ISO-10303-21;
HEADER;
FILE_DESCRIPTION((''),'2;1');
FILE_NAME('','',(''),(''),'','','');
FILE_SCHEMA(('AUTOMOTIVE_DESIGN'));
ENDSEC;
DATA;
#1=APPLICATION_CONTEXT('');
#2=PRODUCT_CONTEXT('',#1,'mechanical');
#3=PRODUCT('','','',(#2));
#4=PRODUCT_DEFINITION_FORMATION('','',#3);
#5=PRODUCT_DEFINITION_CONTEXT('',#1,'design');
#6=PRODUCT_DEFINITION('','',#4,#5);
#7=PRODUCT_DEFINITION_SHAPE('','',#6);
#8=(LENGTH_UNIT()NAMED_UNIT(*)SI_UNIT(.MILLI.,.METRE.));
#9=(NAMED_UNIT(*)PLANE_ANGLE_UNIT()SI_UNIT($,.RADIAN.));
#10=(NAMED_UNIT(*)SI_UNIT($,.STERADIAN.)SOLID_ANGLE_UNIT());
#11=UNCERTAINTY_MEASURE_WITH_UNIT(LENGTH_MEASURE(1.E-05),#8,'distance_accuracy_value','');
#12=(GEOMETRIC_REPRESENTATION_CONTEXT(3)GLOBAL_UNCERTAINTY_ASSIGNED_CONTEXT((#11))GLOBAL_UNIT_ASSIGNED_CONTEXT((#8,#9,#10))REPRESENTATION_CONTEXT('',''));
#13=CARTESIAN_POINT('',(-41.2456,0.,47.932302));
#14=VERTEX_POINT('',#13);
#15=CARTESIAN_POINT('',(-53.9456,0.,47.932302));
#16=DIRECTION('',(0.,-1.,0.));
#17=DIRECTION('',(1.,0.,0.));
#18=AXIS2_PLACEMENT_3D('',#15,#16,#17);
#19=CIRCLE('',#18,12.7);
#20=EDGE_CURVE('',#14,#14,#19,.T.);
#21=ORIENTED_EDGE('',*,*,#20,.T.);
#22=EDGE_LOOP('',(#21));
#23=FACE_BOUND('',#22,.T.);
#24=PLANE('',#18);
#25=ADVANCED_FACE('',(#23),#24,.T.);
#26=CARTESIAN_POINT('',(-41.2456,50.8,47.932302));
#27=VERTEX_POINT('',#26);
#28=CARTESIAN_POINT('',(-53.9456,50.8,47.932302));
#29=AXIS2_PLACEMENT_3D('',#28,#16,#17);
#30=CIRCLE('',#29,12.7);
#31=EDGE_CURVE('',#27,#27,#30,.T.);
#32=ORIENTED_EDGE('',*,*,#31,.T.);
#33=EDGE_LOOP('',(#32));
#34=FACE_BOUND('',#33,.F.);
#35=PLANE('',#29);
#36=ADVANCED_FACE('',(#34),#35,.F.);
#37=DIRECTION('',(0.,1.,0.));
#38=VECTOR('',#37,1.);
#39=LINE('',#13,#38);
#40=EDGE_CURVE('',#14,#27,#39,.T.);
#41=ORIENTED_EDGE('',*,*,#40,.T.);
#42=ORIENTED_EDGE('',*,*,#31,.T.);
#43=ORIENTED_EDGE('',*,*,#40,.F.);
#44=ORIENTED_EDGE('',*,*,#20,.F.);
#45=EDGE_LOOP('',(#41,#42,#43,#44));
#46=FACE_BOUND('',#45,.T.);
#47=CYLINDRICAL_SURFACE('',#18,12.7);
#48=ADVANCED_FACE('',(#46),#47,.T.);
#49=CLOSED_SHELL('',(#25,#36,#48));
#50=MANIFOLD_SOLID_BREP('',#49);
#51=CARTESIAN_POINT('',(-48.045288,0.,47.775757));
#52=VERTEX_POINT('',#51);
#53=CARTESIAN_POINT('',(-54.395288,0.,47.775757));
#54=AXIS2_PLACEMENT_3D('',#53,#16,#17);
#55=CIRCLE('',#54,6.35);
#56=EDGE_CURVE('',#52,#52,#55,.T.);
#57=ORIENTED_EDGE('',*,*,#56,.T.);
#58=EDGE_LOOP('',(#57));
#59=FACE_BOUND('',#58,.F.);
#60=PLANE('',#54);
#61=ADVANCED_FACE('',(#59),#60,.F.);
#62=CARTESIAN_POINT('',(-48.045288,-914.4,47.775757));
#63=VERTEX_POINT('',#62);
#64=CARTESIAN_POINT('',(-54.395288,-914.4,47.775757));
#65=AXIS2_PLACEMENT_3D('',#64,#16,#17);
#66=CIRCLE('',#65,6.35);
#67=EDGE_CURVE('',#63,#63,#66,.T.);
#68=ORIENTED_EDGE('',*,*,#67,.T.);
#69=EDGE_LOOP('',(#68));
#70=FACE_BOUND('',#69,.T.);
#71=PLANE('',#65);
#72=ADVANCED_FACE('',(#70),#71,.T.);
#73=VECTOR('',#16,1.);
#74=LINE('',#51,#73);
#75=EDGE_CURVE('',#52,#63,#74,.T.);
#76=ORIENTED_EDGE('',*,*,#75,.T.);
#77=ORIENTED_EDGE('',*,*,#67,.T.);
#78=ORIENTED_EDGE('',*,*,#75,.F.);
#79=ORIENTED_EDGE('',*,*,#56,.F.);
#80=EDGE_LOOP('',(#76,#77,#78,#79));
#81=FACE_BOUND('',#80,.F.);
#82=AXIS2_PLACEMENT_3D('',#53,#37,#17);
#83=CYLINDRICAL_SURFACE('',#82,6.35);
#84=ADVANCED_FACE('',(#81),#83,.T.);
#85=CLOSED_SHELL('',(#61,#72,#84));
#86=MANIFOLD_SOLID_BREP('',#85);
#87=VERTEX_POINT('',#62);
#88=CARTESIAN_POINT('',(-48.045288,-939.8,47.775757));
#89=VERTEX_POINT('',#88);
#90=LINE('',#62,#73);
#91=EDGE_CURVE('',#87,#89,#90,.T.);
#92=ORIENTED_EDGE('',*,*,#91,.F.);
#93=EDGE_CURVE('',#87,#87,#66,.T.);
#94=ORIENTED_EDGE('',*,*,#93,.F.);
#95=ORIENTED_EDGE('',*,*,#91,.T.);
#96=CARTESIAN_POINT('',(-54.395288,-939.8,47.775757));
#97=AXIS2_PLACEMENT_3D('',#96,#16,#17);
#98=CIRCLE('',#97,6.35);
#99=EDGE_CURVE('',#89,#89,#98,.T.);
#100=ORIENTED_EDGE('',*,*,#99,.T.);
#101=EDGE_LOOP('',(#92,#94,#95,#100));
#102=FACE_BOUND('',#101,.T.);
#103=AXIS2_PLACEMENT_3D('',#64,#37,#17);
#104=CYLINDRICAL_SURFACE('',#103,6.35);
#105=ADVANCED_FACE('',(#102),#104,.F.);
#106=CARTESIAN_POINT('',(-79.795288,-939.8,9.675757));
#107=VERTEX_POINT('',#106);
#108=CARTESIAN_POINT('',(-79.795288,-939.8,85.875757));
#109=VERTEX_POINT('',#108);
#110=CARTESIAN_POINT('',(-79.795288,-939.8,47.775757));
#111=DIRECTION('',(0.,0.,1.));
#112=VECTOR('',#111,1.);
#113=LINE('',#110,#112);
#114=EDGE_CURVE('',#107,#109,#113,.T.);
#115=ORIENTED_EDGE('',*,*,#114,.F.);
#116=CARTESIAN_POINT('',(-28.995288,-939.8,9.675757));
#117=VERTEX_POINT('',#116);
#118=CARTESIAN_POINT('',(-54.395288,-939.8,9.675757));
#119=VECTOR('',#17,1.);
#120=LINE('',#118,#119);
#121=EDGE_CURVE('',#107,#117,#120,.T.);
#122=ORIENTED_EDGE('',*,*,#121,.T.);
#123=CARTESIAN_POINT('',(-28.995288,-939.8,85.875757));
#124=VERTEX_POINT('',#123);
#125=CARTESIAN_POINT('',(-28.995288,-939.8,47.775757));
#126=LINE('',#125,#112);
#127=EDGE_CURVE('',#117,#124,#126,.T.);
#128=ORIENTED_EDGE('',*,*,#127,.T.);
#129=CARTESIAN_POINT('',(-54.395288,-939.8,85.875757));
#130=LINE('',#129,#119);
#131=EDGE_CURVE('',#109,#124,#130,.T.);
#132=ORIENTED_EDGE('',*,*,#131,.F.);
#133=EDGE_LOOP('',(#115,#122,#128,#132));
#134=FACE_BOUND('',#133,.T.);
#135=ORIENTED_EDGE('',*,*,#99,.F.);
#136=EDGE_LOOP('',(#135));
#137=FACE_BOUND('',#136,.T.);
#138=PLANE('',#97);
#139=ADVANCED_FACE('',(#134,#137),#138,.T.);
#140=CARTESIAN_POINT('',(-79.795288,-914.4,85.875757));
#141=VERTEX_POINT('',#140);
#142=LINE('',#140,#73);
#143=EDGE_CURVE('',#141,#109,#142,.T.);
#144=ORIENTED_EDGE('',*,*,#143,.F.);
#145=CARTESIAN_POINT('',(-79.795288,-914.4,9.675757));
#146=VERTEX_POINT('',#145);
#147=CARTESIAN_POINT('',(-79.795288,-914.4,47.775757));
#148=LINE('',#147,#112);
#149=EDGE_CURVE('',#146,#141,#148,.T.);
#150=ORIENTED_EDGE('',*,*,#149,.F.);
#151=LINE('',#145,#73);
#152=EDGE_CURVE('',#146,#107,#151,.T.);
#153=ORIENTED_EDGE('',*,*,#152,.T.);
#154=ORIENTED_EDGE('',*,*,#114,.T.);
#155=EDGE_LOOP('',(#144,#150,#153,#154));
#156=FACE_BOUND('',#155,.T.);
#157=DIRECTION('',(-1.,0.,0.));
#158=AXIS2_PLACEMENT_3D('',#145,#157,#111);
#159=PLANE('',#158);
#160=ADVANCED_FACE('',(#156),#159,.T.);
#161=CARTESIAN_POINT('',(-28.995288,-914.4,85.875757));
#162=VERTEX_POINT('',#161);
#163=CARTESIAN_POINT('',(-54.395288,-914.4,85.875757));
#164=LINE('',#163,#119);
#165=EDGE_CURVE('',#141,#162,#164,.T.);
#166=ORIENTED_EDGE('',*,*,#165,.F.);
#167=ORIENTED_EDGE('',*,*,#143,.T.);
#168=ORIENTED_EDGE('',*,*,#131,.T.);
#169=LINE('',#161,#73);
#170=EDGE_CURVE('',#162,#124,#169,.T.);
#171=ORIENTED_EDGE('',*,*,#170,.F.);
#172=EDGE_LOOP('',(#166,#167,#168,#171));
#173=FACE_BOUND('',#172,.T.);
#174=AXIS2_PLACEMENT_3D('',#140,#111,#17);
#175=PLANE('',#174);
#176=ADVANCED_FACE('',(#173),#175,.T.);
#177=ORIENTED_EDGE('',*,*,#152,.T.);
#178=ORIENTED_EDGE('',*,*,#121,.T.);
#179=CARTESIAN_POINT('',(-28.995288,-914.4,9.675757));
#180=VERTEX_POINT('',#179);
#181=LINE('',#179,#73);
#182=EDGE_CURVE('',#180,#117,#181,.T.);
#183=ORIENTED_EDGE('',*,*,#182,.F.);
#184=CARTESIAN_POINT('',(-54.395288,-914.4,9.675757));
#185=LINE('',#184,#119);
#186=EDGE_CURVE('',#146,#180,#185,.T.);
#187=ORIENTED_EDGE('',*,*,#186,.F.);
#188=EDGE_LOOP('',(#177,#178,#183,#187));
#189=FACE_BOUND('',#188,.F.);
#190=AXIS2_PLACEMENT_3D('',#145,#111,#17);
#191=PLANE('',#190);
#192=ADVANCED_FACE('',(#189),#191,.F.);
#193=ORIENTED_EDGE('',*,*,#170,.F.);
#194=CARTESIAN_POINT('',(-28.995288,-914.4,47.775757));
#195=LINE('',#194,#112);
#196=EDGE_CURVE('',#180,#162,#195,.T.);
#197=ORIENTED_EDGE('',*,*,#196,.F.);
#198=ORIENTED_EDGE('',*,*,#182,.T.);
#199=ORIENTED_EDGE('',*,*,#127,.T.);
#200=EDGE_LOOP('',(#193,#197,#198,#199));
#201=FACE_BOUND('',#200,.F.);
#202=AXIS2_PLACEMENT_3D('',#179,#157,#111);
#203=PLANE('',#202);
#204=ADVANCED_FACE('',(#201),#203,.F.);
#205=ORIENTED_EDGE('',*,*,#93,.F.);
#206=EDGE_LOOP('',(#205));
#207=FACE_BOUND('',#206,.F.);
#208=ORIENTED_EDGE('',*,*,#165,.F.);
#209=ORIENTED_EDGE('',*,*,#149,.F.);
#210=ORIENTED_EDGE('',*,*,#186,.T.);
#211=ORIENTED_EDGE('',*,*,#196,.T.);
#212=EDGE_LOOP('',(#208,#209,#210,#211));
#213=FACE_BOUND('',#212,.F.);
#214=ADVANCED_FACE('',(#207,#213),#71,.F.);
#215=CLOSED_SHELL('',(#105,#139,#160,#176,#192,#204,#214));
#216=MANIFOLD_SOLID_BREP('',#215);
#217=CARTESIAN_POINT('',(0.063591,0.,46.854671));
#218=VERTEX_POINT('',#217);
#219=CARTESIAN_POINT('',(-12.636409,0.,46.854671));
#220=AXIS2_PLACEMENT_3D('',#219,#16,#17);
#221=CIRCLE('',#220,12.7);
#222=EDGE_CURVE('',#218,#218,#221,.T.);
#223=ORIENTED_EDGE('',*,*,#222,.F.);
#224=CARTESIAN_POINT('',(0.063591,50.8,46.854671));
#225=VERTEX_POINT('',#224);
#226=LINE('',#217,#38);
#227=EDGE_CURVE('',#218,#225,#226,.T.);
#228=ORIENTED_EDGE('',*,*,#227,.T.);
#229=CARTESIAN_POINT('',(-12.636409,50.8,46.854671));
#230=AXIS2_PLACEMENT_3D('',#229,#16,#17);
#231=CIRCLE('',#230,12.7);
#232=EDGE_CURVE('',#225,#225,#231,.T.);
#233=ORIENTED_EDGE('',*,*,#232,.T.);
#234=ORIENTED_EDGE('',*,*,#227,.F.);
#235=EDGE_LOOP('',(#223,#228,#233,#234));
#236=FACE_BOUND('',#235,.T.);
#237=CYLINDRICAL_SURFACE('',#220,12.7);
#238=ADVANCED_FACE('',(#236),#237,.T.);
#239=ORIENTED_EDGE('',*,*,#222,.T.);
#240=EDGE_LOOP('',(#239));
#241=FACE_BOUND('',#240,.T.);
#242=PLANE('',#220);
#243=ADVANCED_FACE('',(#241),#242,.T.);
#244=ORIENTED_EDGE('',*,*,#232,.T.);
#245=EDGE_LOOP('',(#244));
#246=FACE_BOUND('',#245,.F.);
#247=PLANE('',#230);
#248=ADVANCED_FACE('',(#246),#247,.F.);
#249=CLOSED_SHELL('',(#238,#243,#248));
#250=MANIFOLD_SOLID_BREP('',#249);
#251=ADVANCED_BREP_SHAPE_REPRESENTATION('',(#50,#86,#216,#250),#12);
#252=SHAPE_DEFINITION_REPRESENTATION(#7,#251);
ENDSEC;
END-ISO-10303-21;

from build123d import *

# Parameters (mm, degrees)
F0_R     = 12.7
F1_DEPTH = 50.8
F2_R     = 6.35
F3_DEPTH = 914.4
F4_W     = 50.8
F4_H     = 76.2
F4_R     = 6.35
F5_DEPTH = 25.4


with BuildPart() as f1:
    # F0 (on Front) → F1 (new body)
    with BuildSketch(Plane.XZ):
        with Locations((-53.9455996944, 47.9323024082)):
            Circle(F0_R)
    extrude(amount=-F1_DEPTH)


with BuildPart() as f1b:
    # F0 (on Front) → F1, piece 2 (new body)
    with BuildSketch(Plane.XZ):
        with Locations((-12.6364087513, 46.8546705113)):
            Circle(F0_R)
    extrude(amount=-F1_DEPTH)


with BuildPart() as f3:
    # F2 (on Front) → F3 (new body)
    with BuildSketch(Plane.XZ):
        with Locations((-54.395288229, 47.7757565677)):
            Circle(F2_R)
    extrude(amount=F3_DEPTH)


with BuildPart() as f3b:
    # F2 (on Front) → F3, piece 2 (new body)
    with BuildSketch(Plane.XZ):
        with Locations((-12.663452886, 46.6245338321)):
            Circle(F2_R)
    extrude(amount=F3_DEPTH)


with BuildPart() as f5:
    # F4 (on face) → F5 (new body)
    with BuildSketch(Plane.XZ.offset(914.4)):
        with Locations((-54.395288229, 47.7757565677)):
            Rectangle(F4_W, F4_H)
        with Locations((-54.395288229, 47.7757565677)):
            Circle(F4_R, mode=Mode.SUBTRACT)
    extrude(amount=F5_DEPTH)


solid = Compound([f1.part, f1b.part, f3.part, f5.part])
